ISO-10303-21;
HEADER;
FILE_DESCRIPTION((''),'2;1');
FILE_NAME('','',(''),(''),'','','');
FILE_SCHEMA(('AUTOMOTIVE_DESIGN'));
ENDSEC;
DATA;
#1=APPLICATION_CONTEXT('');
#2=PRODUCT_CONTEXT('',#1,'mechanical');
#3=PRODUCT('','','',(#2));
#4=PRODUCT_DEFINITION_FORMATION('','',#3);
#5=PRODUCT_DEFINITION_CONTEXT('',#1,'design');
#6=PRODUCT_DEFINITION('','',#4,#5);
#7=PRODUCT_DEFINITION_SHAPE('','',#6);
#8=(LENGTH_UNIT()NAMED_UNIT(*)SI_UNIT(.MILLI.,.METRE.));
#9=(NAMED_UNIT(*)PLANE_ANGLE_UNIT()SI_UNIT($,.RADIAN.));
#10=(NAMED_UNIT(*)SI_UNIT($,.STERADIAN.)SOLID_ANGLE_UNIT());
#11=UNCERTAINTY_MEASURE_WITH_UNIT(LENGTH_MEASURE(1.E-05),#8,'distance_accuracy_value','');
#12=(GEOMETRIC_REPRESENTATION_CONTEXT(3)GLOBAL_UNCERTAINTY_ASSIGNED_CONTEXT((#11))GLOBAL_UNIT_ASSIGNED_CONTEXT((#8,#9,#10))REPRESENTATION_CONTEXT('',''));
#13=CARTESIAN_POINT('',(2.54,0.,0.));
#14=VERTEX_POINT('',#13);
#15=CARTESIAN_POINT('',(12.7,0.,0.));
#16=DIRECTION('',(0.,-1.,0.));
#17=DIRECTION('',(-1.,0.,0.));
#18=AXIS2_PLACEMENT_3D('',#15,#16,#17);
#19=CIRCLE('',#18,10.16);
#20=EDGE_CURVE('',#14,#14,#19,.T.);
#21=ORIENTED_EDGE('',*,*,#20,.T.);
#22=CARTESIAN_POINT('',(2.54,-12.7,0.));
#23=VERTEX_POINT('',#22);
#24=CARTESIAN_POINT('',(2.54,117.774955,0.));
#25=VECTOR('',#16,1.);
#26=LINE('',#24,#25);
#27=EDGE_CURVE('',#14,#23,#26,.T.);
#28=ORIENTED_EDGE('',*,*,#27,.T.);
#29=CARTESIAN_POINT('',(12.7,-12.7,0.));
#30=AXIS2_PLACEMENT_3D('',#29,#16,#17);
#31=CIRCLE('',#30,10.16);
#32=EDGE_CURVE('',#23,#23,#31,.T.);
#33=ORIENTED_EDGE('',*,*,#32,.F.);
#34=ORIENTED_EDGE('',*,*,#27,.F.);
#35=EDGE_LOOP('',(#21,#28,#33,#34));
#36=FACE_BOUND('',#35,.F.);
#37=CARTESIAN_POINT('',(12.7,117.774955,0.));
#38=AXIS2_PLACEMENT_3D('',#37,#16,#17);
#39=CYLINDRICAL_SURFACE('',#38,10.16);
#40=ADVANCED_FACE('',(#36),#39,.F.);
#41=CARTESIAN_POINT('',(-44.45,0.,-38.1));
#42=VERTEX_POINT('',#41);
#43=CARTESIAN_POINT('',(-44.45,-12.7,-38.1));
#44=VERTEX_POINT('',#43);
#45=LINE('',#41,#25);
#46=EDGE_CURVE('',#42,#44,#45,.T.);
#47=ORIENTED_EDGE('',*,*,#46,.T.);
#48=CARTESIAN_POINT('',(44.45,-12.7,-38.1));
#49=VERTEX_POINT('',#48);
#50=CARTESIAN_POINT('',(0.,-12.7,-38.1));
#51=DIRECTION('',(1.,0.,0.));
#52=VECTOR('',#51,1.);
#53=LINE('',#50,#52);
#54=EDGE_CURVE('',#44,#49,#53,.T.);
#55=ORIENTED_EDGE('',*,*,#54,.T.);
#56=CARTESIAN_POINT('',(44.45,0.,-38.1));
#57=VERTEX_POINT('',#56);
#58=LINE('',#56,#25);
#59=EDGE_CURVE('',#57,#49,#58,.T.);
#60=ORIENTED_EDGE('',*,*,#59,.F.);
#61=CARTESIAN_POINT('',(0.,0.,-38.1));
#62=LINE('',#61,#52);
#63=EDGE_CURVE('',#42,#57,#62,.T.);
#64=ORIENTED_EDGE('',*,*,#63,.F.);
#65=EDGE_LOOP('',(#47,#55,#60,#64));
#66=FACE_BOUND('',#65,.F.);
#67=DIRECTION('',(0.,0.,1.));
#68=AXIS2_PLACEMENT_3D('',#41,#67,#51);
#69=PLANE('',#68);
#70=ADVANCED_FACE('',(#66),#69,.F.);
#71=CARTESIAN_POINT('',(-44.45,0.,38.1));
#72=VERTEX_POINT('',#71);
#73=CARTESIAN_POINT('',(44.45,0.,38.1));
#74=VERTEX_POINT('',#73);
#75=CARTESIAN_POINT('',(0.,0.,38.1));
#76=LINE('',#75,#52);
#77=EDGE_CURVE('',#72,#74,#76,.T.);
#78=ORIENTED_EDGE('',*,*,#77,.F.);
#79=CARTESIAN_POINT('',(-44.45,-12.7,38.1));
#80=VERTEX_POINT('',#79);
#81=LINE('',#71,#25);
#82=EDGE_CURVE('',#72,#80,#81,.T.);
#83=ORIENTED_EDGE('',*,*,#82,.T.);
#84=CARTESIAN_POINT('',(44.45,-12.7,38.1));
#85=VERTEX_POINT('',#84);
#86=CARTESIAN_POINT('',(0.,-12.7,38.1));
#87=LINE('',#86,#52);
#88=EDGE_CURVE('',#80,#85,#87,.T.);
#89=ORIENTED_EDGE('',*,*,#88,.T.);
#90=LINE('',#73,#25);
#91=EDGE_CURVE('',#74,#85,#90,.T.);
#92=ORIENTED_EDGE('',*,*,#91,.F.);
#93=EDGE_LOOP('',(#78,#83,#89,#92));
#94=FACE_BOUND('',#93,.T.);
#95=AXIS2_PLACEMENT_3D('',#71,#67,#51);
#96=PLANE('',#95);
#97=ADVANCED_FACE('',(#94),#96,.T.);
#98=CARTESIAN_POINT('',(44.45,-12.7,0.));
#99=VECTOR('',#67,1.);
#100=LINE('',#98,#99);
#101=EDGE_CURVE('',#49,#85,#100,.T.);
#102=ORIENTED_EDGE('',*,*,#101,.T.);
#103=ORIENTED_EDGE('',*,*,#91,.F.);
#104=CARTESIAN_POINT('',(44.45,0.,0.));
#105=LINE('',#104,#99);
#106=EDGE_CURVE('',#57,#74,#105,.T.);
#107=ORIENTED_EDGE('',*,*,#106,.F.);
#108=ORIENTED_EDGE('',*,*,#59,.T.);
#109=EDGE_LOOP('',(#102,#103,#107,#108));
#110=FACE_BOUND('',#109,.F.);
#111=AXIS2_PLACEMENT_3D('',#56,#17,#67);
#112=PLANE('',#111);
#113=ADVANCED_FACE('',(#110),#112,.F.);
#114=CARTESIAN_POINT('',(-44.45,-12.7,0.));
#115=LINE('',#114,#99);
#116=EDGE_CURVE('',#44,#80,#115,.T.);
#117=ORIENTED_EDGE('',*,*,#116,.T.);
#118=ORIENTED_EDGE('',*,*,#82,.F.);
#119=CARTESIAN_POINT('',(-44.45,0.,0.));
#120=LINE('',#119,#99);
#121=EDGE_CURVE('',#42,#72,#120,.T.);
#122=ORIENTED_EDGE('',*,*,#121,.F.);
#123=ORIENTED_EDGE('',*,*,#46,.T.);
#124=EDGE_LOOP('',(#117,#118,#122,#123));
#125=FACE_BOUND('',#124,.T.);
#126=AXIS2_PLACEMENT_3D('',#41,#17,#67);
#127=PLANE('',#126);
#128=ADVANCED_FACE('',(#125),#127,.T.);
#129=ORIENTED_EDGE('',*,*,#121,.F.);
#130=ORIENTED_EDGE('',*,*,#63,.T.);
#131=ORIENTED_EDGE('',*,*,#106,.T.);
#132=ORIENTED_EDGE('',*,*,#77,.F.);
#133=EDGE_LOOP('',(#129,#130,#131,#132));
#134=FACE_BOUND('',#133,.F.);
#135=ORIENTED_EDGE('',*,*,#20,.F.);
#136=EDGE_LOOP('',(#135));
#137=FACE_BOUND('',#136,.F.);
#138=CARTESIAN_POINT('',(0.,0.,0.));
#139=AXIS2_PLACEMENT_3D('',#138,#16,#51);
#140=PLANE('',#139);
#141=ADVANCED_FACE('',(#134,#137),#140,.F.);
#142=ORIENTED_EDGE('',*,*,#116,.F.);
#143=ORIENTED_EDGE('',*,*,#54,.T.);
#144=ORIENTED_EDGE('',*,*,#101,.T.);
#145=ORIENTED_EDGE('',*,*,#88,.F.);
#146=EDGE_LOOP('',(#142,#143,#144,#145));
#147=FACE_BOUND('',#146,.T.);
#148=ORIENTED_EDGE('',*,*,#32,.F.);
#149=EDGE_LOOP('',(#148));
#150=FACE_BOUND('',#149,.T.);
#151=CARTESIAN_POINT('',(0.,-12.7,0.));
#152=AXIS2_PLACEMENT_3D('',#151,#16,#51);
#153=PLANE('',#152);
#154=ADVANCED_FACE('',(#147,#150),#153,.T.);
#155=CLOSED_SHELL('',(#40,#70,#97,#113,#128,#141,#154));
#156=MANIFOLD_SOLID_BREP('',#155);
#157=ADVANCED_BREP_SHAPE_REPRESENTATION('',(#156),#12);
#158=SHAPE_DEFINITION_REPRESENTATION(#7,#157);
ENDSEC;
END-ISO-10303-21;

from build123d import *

# Parameters (mm, degrees)
F0_W     = 88.9
F0_H     = 76.2
F1_DEPTH = 12.7
F2_D     = 20.32


with BuildPart() as f1:
    # F0 (on Front) → F1 (new body)
    with BuildSketch(Plane.XZ):
        Rectangle(F0_W, F0_H)
    extrude(amount=F1_DEPTH)

    # F2 (through all)
    with Locations(Plane(origin=(0, 0, 0), x_dir=(1, 0, 0), z_dir=(0, 1, 0))):
        with Locations((12.7, 0)):
            Hole(F2_D / 2)


solid = f1.part
